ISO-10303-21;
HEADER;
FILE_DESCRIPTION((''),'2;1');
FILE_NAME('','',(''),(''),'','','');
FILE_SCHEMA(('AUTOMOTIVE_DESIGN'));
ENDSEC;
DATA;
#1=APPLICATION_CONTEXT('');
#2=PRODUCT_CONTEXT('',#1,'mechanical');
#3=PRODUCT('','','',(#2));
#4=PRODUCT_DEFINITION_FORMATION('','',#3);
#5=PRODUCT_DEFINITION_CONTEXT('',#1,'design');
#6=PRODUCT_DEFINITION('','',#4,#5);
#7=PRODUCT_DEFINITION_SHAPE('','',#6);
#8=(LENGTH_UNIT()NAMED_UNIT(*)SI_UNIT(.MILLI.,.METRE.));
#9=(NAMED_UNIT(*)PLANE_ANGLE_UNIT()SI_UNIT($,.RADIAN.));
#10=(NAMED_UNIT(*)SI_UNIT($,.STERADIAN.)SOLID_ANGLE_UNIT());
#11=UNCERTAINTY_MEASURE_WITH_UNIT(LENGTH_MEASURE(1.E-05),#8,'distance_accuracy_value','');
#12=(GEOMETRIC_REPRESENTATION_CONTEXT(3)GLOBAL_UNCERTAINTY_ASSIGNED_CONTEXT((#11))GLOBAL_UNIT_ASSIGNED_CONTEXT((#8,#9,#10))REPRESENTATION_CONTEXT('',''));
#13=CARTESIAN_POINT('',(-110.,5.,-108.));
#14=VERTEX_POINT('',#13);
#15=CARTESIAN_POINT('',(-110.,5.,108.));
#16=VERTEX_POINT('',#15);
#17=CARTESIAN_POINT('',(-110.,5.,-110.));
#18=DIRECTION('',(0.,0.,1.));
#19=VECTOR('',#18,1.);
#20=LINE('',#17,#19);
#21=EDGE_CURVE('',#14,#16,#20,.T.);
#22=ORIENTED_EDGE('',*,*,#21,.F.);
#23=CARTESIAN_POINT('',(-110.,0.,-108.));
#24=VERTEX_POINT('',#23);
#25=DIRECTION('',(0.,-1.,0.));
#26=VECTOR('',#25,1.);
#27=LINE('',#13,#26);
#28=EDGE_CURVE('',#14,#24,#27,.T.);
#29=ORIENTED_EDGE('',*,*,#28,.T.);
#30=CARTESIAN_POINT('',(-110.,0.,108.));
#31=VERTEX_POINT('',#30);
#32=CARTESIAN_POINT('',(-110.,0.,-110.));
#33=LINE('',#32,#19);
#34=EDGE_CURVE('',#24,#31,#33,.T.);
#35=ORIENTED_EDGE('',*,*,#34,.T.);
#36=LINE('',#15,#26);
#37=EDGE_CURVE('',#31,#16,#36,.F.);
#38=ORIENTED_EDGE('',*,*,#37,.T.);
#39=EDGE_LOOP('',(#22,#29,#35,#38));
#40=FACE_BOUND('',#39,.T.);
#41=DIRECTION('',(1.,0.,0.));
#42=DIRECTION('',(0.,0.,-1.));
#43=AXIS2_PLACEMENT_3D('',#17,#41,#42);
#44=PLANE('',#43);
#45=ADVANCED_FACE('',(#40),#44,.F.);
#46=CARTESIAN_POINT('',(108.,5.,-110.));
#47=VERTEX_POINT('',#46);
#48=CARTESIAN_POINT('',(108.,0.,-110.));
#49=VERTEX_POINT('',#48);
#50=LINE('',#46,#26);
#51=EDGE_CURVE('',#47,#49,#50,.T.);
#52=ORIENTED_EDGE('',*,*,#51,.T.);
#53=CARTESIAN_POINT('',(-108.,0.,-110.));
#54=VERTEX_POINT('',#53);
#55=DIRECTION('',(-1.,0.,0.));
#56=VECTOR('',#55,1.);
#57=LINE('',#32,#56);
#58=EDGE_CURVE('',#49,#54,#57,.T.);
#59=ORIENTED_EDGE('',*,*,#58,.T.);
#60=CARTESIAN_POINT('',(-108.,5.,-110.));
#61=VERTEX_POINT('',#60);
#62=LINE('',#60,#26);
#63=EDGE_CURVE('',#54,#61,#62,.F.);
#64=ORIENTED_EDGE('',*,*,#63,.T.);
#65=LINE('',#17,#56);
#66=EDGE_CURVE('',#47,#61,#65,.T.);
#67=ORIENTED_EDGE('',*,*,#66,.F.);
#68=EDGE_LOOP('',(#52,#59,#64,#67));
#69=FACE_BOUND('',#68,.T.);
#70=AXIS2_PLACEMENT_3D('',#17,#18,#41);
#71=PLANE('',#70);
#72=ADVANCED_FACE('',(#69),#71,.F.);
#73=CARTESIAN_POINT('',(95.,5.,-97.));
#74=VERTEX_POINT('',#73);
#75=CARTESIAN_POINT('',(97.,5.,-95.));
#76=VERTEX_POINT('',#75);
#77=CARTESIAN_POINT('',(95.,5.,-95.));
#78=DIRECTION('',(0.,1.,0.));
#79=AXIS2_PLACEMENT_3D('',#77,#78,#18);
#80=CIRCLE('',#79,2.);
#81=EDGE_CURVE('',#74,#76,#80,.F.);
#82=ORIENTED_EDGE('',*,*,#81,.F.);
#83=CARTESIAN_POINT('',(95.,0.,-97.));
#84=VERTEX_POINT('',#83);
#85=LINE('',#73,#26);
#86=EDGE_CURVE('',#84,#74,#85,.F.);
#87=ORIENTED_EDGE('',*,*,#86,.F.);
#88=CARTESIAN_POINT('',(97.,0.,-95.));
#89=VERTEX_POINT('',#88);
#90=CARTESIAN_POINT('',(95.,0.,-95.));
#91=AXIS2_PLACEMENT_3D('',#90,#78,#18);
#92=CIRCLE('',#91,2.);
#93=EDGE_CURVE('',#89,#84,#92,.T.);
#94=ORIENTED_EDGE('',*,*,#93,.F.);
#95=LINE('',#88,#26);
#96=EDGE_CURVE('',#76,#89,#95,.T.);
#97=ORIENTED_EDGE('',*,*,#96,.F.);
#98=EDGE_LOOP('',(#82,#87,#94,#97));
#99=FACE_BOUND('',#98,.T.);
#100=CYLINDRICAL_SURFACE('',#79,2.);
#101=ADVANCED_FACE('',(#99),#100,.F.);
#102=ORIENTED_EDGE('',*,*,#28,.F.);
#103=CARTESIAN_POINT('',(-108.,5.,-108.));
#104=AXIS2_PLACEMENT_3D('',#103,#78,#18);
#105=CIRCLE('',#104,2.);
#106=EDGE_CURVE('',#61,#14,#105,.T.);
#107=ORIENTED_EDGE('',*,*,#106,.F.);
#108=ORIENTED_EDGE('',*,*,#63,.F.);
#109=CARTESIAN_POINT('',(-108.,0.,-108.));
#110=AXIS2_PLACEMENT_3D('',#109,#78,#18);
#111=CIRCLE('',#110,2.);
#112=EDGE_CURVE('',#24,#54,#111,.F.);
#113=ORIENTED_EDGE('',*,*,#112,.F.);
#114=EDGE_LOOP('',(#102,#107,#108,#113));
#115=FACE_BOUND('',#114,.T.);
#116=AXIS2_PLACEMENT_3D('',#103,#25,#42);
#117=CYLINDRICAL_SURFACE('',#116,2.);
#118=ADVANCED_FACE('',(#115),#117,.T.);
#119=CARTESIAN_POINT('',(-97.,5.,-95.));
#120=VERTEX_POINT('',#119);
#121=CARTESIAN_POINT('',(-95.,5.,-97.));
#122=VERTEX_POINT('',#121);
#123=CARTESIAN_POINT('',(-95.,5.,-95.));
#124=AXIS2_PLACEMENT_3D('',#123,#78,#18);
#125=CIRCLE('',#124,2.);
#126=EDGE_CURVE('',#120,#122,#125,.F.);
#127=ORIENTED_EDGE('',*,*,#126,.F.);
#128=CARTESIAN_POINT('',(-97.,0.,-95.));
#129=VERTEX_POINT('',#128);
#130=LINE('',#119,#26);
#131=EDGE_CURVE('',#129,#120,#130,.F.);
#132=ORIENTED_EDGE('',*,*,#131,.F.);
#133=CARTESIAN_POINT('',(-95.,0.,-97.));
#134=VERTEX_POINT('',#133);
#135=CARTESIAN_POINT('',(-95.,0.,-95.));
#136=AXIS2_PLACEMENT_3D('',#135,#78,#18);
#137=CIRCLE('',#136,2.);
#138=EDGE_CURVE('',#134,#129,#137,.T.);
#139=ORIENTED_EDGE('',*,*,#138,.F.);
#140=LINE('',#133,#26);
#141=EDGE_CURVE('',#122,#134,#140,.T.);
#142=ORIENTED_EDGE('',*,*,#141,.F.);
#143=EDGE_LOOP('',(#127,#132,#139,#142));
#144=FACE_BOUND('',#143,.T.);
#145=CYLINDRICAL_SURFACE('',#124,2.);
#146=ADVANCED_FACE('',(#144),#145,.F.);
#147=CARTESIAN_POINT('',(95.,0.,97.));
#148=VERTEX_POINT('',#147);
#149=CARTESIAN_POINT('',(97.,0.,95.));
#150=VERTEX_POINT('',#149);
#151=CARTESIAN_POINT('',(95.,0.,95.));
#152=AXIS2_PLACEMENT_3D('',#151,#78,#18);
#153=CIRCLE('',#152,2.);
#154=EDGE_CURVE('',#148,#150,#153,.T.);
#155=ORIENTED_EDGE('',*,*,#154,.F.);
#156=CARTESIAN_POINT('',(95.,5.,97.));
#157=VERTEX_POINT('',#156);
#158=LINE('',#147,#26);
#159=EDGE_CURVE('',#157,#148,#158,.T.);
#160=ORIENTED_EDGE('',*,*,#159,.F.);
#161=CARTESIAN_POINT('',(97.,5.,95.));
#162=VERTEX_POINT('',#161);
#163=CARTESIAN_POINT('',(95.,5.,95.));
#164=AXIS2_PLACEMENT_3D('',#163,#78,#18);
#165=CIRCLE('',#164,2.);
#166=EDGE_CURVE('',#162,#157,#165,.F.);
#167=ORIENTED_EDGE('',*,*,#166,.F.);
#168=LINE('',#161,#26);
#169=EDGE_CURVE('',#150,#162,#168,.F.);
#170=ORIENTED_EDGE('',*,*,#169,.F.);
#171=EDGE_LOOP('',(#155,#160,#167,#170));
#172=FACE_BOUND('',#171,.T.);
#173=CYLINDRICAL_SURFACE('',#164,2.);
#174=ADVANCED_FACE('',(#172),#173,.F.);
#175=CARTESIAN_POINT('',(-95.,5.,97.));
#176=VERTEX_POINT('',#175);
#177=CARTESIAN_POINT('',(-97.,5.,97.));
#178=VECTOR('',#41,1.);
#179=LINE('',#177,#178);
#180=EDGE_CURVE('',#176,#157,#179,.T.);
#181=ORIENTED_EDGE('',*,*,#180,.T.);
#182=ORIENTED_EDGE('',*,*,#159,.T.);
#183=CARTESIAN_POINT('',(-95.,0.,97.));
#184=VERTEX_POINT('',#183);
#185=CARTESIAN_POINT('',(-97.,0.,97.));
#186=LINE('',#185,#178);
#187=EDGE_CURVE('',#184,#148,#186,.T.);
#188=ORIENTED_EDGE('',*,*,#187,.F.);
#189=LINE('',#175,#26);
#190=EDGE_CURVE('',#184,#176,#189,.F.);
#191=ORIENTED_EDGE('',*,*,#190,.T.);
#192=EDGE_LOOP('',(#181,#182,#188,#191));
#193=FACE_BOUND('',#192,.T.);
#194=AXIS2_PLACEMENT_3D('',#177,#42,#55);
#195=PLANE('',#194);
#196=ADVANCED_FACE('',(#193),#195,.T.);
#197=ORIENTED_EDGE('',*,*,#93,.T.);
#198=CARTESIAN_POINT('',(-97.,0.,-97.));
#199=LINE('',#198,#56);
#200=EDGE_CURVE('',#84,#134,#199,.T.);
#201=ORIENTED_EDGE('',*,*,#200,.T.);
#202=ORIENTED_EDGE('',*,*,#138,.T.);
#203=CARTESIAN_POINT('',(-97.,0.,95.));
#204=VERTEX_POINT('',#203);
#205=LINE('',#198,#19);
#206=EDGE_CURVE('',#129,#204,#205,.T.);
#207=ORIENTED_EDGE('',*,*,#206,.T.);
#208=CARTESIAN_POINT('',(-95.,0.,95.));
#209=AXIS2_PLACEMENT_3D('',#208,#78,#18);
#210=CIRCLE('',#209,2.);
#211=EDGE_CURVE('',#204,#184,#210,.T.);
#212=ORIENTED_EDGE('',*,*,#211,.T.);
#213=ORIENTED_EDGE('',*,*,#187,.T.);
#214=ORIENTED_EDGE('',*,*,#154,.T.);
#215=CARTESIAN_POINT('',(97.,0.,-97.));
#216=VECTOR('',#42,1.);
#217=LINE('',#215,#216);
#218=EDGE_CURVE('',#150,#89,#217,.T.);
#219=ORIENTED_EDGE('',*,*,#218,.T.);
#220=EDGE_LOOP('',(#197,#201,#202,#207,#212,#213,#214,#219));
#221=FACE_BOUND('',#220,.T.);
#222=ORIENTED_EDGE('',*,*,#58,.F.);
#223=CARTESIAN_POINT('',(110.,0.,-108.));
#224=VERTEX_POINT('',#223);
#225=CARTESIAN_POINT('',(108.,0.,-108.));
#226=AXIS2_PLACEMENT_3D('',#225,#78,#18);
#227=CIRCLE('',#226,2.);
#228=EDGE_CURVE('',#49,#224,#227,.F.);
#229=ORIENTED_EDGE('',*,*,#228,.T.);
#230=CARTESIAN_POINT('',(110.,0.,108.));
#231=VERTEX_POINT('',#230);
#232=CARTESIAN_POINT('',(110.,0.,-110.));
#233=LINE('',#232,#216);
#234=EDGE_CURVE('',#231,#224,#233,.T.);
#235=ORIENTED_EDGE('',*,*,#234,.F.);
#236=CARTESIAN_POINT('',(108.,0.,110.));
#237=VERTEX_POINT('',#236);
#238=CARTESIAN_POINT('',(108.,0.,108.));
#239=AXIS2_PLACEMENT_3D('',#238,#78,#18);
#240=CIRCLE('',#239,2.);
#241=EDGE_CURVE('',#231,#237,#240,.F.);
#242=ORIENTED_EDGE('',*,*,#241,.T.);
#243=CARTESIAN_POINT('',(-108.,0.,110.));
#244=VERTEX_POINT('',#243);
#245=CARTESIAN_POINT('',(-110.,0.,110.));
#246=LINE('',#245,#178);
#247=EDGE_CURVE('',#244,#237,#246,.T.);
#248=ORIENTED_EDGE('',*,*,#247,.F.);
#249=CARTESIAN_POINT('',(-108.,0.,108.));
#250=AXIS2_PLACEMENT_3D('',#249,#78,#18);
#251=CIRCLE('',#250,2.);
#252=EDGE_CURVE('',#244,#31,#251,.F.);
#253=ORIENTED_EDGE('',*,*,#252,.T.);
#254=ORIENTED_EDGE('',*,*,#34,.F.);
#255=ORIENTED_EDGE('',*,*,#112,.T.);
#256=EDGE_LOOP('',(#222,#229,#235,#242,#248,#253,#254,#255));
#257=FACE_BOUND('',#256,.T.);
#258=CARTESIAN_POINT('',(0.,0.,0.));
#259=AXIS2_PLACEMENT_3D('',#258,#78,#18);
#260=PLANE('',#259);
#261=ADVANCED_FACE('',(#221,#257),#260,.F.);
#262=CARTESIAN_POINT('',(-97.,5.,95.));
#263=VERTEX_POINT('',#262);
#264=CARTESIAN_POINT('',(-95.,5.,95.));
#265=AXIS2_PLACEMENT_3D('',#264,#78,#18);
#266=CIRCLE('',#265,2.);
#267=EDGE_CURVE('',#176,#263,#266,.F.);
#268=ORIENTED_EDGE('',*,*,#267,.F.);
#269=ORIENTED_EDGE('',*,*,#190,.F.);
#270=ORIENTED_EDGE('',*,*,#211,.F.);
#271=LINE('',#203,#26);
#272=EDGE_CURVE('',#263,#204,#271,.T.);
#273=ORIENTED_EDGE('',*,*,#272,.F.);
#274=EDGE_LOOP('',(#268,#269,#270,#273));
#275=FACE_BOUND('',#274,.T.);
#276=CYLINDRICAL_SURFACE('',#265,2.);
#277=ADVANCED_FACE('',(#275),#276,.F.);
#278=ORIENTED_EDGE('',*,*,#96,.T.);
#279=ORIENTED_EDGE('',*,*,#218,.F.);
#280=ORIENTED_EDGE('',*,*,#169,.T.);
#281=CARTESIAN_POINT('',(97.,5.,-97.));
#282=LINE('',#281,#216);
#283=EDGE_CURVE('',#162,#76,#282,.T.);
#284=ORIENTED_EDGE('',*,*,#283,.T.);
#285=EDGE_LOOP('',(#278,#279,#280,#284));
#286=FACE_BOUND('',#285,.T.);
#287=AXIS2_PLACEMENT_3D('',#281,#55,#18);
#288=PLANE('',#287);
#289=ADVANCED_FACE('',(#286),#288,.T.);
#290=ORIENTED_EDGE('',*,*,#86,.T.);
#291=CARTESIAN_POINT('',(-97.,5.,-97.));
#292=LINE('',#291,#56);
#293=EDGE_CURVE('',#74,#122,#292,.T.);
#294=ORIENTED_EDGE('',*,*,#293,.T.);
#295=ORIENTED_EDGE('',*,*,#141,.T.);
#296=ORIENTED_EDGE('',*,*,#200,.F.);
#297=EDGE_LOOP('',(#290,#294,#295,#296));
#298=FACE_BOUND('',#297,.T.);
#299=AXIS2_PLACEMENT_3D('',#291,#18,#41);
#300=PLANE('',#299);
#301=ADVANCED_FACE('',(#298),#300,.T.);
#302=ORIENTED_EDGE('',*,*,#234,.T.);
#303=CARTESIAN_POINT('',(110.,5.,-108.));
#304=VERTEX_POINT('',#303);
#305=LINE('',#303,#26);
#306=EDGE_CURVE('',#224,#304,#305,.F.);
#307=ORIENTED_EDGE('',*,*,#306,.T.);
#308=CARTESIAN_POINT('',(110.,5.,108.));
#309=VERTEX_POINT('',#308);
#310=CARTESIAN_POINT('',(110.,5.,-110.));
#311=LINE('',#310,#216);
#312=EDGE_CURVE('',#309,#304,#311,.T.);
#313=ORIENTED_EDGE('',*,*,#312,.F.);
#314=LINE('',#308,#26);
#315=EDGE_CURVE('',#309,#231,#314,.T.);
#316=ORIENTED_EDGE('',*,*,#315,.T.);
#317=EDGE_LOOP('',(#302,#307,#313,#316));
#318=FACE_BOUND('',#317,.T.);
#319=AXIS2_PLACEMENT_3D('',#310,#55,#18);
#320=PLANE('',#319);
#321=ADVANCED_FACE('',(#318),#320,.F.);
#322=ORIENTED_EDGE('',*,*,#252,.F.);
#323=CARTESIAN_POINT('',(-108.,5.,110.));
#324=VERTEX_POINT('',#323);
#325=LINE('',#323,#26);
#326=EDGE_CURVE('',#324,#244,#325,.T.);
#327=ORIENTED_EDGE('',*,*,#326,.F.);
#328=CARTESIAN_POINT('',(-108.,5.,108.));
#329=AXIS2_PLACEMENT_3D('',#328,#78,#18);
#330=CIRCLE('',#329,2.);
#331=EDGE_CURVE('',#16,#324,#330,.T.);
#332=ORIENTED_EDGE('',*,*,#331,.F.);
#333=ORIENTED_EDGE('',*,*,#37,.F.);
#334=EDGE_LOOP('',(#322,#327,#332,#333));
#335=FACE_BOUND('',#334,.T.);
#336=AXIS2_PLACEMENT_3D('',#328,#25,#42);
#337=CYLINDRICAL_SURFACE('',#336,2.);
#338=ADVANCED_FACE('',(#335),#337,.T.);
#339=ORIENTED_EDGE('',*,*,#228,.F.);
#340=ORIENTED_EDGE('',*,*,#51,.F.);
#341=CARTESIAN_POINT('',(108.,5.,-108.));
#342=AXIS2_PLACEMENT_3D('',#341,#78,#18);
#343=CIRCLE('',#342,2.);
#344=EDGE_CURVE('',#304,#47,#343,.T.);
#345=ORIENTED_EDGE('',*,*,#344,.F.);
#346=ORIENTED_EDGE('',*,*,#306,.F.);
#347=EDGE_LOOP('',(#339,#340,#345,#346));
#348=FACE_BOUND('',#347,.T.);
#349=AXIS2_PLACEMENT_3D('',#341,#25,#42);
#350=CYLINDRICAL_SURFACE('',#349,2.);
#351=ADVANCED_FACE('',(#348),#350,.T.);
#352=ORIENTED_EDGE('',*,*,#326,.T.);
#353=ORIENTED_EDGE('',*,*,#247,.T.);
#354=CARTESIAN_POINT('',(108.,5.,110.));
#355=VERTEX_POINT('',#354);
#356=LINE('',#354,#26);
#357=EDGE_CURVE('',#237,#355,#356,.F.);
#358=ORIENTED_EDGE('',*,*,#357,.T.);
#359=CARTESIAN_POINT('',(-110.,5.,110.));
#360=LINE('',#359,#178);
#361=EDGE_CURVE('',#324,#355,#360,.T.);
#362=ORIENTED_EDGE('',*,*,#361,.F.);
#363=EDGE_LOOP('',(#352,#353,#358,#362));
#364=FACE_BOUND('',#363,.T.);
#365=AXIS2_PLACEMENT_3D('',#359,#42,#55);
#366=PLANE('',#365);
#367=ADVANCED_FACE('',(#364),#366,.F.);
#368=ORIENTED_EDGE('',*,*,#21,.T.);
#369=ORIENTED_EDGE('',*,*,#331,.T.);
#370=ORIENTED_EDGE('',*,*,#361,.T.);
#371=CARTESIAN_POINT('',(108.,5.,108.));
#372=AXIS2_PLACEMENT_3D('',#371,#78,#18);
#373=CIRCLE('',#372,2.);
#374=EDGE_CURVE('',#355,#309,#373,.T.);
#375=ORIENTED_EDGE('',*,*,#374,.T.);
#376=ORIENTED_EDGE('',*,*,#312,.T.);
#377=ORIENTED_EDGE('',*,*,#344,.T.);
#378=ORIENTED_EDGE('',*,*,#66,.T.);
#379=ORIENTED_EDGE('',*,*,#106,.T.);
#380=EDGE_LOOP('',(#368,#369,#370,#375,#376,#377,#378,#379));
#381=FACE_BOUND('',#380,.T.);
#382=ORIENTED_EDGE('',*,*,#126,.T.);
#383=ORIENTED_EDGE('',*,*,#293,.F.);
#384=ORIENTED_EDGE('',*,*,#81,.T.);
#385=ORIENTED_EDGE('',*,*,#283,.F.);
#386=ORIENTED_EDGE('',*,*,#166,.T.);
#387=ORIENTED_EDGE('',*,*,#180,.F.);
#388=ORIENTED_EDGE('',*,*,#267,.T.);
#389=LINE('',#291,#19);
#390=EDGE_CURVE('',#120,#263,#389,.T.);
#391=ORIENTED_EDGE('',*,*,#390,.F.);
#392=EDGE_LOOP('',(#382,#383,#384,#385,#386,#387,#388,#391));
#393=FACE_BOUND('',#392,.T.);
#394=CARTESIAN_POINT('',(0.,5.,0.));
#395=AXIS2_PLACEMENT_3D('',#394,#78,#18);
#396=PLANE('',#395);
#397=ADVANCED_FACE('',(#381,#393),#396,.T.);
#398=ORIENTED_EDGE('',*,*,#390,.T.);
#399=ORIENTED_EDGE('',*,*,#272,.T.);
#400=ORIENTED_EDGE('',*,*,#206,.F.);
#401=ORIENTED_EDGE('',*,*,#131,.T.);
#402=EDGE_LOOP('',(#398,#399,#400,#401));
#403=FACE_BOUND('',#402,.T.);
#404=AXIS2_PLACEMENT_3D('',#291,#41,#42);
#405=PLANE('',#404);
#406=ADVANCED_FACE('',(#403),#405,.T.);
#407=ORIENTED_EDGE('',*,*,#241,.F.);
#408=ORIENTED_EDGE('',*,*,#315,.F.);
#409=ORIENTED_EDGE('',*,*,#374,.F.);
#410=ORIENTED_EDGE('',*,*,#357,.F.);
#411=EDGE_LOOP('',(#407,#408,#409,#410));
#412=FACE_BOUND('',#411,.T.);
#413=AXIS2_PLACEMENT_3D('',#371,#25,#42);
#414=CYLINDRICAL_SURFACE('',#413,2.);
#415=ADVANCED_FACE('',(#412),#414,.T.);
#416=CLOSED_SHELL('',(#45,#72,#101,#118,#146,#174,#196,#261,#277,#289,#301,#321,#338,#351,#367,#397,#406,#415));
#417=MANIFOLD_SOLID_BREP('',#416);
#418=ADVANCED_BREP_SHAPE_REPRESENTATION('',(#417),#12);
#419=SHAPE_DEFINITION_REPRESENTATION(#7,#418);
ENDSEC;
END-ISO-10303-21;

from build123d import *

# Parameters (mm, degrees)
SKETCH1_W           = 220
SKETCH1_H           = 220
SKETCH1_W_2         = 194
SKETCH1_H_2         = 194
BOSS_EXTRUDE1_DEPTH = 5
FILLET1_R           = 2


with BuildPart() as part:
    # Sketch1 → Boss-Extrude1 (new body)
    with BuildSketch(Plane(origin=(0, 0, 0), x_dir=(1, 0, 0), z_dir=(0, 1, 0))):
        Rectangle(SKETCH1_W, SKETCH1_H)
        Rectangle(SKETCH1_W_2, SKETCH1_H_2, mode=Mode.SUBTRACT)
    extrude(amount=BOSS_EXTRUDE1_DEPTH)

    # Fillet1
    fillet1_edges = [part.edges().sort_by_distance(p)[0] for p in [
        (97, 2.5, 97),
        (97, 2.5, -97),
        (-97, 2.5, -97),
        (-97, 2.5, 97),
        (110, 2.5, 110),
        (-110, 2.5, 110),
        (-110, 2.5, -110),
        (110, 2.5, -110),
    ]]
    fillet(fillet1_edges, radius=FILLET1_R)


solid = part.part
